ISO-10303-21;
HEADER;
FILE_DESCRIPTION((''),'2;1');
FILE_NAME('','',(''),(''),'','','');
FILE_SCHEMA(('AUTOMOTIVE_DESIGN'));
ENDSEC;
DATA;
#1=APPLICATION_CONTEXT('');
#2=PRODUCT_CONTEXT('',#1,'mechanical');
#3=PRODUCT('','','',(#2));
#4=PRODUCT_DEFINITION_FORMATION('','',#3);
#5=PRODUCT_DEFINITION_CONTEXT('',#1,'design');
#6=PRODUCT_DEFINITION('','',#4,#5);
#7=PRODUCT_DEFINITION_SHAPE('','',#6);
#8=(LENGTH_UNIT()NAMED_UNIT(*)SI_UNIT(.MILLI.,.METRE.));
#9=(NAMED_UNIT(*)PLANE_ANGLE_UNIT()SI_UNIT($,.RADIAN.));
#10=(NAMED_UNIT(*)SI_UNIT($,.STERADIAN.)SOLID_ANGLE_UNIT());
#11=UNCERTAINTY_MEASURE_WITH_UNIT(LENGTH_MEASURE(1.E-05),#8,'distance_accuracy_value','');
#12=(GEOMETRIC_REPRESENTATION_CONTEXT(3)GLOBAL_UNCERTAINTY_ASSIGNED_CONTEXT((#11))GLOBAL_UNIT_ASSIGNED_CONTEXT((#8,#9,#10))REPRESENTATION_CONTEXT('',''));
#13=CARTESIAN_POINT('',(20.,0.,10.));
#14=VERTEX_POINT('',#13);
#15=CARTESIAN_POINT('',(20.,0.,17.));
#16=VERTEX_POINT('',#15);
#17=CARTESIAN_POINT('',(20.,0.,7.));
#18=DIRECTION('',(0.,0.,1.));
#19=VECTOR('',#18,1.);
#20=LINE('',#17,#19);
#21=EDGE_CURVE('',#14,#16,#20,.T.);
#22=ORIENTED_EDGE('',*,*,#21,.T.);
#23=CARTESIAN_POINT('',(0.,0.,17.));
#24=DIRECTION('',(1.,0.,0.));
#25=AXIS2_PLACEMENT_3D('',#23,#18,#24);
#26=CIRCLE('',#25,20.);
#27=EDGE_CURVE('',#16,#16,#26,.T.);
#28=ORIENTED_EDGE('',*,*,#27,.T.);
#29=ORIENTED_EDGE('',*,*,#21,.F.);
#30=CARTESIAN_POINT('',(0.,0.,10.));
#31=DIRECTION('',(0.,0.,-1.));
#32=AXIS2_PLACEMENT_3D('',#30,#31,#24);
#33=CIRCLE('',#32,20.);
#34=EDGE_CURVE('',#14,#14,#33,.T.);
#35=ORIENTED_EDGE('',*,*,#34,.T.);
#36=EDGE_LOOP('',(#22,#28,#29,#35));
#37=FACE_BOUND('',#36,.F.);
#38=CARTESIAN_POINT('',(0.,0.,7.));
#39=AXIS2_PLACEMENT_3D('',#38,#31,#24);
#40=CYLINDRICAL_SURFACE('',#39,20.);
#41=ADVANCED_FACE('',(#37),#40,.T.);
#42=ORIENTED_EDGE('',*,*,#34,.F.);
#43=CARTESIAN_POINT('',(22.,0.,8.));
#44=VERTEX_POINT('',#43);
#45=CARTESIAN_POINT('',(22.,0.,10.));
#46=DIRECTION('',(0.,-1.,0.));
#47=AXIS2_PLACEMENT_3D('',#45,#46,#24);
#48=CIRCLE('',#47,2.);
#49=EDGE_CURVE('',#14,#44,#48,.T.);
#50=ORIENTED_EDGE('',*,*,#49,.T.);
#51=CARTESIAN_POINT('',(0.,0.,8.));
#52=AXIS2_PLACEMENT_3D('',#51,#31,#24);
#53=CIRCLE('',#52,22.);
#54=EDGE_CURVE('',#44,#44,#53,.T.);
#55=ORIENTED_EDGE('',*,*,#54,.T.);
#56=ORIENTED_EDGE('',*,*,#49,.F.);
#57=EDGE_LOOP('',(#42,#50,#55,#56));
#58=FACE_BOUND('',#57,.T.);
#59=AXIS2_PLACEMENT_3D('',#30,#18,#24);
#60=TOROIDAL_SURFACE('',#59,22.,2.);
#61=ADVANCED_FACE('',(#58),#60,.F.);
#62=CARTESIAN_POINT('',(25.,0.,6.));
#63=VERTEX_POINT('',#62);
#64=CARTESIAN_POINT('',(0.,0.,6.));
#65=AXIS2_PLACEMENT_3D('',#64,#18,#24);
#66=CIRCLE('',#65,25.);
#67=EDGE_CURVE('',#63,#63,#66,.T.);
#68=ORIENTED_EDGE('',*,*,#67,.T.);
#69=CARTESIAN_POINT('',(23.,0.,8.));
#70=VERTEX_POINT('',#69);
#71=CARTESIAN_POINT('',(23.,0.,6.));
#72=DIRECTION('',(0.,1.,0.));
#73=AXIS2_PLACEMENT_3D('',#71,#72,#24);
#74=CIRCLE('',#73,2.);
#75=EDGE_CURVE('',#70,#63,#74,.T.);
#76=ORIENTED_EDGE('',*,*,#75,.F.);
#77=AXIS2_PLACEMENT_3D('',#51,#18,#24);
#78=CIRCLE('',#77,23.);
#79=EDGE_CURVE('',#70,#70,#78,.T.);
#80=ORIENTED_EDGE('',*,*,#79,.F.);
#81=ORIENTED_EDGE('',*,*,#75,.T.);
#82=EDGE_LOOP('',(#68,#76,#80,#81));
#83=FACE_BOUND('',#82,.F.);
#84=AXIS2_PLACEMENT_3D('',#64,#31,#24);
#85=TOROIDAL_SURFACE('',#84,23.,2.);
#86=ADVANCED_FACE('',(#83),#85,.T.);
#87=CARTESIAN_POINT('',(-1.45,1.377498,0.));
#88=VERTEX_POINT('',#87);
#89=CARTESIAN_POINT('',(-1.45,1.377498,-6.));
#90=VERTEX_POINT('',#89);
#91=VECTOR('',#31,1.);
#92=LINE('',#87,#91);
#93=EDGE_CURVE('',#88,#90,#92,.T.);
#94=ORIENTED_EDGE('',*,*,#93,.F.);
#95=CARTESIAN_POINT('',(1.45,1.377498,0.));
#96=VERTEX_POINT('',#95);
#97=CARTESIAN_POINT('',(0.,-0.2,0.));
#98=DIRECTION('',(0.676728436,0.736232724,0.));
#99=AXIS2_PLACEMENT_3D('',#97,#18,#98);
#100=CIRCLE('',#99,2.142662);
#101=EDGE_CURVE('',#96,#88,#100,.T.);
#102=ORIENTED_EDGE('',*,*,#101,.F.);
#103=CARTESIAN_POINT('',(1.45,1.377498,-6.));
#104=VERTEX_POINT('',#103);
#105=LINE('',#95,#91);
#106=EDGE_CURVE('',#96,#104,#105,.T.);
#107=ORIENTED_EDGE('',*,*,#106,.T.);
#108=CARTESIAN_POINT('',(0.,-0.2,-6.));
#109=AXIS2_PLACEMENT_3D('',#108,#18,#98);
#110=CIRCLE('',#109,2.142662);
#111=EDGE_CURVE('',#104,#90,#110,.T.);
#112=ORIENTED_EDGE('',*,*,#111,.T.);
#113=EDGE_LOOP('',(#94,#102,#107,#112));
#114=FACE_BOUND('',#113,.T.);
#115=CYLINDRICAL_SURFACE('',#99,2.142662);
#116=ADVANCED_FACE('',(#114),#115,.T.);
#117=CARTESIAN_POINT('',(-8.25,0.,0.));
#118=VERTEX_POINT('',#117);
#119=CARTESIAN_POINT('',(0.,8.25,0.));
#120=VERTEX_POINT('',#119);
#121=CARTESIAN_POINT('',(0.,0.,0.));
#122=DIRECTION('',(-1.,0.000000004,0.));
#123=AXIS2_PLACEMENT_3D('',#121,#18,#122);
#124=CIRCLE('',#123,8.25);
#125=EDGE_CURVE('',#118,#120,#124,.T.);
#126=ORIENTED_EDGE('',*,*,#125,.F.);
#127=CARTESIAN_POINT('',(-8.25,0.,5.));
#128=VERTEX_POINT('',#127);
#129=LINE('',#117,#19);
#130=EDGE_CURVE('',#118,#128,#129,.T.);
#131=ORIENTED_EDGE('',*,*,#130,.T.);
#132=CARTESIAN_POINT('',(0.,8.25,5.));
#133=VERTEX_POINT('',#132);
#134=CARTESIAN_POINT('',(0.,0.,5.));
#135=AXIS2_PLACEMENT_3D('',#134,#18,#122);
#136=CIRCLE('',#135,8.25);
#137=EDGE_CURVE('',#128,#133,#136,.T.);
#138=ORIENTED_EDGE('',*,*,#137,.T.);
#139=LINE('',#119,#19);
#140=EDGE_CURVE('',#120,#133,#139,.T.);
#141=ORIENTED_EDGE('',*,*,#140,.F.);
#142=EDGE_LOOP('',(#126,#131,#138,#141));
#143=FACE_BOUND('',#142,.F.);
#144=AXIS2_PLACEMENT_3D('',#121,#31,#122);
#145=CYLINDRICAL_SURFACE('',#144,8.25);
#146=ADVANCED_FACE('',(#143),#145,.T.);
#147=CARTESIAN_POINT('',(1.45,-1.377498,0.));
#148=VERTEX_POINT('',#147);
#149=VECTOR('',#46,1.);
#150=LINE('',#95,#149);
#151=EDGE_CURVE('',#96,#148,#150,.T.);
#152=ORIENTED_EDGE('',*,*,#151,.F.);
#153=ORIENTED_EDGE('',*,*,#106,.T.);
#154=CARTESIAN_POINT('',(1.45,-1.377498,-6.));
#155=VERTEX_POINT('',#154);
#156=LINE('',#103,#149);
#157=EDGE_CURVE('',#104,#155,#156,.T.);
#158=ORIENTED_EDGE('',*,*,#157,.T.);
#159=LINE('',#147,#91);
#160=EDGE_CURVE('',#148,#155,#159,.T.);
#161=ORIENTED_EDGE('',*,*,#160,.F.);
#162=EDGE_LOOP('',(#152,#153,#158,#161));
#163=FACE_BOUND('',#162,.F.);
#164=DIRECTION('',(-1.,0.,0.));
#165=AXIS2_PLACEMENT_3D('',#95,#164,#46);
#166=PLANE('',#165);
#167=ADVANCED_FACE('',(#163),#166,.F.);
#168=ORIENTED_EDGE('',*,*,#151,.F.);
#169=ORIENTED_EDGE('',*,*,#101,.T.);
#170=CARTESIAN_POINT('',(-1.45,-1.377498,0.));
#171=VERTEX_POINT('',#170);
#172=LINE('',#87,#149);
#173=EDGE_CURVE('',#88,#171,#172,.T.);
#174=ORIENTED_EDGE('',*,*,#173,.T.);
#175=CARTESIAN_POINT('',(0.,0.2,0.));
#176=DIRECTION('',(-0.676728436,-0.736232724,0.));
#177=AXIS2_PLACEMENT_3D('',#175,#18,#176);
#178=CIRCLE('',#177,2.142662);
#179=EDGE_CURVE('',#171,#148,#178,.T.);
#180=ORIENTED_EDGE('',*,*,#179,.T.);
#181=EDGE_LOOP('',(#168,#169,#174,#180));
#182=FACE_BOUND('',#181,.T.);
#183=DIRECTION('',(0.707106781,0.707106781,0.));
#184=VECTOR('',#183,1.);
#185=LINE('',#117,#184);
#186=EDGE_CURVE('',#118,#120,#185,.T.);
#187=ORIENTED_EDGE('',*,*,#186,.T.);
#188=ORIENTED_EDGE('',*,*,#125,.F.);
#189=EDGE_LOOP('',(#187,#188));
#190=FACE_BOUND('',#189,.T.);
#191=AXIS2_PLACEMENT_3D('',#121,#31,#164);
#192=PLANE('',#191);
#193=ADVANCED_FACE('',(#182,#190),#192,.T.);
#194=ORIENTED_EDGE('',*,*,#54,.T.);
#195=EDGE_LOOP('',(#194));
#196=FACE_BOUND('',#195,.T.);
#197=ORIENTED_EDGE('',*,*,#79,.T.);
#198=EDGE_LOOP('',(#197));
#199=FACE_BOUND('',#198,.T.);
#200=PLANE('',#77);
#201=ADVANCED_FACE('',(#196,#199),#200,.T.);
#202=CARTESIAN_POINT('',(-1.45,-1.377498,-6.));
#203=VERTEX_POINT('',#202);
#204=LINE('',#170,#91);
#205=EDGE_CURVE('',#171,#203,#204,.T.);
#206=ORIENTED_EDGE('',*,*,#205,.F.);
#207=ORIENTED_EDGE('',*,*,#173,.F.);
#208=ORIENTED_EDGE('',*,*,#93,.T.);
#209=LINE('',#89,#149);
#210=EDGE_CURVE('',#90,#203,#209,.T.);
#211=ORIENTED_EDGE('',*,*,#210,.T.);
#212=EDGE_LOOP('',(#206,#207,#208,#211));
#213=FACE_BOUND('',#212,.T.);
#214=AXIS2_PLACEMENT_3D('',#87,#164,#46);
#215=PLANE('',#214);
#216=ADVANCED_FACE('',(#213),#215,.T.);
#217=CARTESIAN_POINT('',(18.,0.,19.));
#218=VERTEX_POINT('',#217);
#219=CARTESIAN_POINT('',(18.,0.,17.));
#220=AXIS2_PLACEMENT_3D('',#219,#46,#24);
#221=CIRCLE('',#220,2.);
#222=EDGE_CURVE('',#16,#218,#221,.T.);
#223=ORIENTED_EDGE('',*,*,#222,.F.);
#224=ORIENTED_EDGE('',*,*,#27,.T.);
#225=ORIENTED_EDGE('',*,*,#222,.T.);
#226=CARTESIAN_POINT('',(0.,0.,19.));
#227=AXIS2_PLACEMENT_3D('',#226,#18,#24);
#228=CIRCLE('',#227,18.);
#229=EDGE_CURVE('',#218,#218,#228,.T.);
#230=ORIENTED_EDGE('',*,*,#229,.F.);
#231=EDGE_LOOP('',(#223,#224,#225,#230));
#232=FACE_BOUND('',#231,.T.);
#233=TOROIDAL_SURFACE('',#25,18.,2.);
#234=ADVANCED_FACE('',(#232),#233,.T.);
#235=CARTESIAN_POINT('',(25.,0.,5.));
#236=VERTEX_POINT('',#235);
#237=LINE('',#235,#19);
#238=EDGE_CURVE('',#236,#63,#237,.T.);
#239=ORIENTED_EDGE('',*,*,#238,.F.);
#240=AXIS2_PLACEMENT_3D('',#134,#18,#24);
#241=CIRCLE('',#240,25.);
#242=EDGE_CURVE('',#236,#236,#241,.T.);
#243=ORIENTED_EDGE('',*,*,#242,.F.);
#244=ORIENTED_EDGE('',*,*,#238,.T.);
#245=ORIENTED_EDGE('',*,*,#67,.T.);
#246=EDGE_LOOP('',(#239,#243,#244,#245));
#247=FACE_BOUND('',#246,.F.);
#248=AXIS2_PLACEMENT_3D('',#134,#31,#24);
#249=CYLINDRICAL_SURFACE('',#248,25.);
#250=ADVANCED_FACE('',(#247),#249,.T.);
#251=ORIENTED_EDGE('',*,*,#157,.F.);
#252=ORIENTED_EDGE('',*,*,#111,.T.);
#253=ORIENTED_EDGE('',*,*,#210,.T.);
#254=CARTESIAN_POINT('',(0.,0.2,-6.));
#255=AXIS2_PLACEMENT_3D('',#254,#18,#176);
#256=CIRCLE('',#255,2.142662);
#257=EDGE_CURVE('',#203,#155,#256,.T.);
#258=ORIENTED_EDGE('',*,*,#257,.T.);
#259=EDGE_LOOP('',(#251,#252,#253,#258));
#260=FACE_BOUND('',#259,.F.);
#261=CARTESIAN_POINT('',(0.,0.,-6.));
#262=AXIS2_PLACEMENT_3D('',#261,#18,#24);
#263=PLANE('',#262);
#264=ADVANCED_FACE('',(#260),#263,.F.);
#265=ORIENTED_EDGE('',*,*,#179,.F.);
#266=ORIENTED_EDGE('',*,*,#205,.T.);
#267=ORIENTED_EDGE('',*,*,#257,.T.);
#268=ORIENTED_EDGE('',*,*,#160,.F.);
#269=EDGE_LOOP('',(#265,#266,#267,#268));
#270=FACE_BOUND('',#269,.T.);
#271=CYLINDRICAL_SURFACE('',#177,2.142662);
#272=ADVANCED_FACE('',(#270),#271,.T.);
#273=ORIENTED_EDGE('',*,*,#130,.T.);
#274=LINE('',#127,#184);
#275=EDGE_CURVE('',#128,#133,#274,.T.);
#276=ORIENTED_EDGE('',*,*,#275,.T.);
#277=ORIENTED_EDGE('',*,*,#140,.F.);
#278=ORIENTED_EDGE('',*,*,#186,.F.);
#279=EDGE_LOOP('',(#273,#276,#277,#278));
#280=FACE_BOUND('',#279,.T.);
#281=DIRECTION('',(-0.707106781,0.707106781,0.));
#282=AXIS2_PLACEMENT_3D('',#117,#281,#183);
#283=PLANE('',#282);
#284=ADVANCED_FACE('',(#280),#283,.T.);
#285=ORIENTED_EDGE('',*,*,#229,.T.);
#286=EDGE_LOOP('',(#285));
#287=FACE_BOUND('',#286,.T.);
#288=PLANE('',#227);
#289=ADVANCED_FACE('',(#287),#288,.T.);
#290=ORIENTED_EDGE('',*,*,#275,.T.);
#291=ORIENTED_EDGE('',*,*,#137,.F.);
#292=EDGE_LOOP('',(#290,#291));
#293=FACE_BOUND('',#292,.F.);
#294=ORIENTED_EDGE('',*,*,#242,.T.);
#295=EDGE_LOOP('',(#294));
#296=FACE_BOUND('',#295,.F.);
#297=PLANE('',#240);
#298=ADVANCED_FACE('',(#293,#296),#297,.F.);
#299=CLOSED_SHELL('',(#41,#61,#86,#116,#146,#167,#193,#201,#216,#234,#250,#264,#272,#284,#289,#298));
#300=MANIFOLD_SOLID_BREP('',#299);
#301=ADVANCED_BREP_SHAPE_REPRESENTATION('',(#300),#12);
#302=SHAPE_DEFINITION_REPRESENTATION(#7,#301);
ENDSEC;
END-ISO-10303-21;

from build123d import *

# Parameters (mm, degrees)
PAD_DEPTH    = 6
PAD001_DEPTH = 5
SKETCH002_R  = 25
PAD002_DEPTH = 3
SKETCH003_R  = 20
PAD003_DEPTH = 12
FILLET_R     = 2


with BuildPart() as part:
    # Sketch → Pad (new body)
    with BuildSketch(Plane.XY):
        with BuildLine():
            Line((-1.45, 1.377498), (-1.45, -1.377498))
            ThreePointArc((-1.45, -1.377498), (0, -1.942662), (1.45, -1.377498))
            Line((1.45, 1.377498), (1.45, -1.377498))
            ThreePointArc((1.45, 1.377498), (0, 1.942662), (-1.45, 1.377498))
        make_face()
    extrude(amount=-PAD_DEPTH)

    # Sketch001 → Pad001 (join)
    with BuildSketch(Plane.XY):
        with BuildLine():
            Line((-8.25, 0), (0, 8.25))
            ThreePointArc((-8.25, 0), (5.833631, -5.833631), (0, 8.25))
        make_face()
    extrude(amount=PAD001_DEPTH)

    # Sketch002 → Pad002 (join)
    with BuildSketch(Plane.XY.offset(5)):
        Circle(SKETCH002_R)
    extrude(amount=PAD002_DEPTH)

    # Sketch003 → Pad003 (join)
    with BuildSketch(Plane.XY.offset(7)):
        Circle(SKETCH003_R)
    extrude(amount=PAD003_DEPTH)

    # Fillet
    fillet_edges = [part.edges().sort_by_distance(p)[0] for p in [
        (-20, 0, 19),
        (-20, 0, 8),
        (-25, 0, 8),
    ]]
    fillet(fillet_edges, radius=FILLET_R)


solid = part.part
